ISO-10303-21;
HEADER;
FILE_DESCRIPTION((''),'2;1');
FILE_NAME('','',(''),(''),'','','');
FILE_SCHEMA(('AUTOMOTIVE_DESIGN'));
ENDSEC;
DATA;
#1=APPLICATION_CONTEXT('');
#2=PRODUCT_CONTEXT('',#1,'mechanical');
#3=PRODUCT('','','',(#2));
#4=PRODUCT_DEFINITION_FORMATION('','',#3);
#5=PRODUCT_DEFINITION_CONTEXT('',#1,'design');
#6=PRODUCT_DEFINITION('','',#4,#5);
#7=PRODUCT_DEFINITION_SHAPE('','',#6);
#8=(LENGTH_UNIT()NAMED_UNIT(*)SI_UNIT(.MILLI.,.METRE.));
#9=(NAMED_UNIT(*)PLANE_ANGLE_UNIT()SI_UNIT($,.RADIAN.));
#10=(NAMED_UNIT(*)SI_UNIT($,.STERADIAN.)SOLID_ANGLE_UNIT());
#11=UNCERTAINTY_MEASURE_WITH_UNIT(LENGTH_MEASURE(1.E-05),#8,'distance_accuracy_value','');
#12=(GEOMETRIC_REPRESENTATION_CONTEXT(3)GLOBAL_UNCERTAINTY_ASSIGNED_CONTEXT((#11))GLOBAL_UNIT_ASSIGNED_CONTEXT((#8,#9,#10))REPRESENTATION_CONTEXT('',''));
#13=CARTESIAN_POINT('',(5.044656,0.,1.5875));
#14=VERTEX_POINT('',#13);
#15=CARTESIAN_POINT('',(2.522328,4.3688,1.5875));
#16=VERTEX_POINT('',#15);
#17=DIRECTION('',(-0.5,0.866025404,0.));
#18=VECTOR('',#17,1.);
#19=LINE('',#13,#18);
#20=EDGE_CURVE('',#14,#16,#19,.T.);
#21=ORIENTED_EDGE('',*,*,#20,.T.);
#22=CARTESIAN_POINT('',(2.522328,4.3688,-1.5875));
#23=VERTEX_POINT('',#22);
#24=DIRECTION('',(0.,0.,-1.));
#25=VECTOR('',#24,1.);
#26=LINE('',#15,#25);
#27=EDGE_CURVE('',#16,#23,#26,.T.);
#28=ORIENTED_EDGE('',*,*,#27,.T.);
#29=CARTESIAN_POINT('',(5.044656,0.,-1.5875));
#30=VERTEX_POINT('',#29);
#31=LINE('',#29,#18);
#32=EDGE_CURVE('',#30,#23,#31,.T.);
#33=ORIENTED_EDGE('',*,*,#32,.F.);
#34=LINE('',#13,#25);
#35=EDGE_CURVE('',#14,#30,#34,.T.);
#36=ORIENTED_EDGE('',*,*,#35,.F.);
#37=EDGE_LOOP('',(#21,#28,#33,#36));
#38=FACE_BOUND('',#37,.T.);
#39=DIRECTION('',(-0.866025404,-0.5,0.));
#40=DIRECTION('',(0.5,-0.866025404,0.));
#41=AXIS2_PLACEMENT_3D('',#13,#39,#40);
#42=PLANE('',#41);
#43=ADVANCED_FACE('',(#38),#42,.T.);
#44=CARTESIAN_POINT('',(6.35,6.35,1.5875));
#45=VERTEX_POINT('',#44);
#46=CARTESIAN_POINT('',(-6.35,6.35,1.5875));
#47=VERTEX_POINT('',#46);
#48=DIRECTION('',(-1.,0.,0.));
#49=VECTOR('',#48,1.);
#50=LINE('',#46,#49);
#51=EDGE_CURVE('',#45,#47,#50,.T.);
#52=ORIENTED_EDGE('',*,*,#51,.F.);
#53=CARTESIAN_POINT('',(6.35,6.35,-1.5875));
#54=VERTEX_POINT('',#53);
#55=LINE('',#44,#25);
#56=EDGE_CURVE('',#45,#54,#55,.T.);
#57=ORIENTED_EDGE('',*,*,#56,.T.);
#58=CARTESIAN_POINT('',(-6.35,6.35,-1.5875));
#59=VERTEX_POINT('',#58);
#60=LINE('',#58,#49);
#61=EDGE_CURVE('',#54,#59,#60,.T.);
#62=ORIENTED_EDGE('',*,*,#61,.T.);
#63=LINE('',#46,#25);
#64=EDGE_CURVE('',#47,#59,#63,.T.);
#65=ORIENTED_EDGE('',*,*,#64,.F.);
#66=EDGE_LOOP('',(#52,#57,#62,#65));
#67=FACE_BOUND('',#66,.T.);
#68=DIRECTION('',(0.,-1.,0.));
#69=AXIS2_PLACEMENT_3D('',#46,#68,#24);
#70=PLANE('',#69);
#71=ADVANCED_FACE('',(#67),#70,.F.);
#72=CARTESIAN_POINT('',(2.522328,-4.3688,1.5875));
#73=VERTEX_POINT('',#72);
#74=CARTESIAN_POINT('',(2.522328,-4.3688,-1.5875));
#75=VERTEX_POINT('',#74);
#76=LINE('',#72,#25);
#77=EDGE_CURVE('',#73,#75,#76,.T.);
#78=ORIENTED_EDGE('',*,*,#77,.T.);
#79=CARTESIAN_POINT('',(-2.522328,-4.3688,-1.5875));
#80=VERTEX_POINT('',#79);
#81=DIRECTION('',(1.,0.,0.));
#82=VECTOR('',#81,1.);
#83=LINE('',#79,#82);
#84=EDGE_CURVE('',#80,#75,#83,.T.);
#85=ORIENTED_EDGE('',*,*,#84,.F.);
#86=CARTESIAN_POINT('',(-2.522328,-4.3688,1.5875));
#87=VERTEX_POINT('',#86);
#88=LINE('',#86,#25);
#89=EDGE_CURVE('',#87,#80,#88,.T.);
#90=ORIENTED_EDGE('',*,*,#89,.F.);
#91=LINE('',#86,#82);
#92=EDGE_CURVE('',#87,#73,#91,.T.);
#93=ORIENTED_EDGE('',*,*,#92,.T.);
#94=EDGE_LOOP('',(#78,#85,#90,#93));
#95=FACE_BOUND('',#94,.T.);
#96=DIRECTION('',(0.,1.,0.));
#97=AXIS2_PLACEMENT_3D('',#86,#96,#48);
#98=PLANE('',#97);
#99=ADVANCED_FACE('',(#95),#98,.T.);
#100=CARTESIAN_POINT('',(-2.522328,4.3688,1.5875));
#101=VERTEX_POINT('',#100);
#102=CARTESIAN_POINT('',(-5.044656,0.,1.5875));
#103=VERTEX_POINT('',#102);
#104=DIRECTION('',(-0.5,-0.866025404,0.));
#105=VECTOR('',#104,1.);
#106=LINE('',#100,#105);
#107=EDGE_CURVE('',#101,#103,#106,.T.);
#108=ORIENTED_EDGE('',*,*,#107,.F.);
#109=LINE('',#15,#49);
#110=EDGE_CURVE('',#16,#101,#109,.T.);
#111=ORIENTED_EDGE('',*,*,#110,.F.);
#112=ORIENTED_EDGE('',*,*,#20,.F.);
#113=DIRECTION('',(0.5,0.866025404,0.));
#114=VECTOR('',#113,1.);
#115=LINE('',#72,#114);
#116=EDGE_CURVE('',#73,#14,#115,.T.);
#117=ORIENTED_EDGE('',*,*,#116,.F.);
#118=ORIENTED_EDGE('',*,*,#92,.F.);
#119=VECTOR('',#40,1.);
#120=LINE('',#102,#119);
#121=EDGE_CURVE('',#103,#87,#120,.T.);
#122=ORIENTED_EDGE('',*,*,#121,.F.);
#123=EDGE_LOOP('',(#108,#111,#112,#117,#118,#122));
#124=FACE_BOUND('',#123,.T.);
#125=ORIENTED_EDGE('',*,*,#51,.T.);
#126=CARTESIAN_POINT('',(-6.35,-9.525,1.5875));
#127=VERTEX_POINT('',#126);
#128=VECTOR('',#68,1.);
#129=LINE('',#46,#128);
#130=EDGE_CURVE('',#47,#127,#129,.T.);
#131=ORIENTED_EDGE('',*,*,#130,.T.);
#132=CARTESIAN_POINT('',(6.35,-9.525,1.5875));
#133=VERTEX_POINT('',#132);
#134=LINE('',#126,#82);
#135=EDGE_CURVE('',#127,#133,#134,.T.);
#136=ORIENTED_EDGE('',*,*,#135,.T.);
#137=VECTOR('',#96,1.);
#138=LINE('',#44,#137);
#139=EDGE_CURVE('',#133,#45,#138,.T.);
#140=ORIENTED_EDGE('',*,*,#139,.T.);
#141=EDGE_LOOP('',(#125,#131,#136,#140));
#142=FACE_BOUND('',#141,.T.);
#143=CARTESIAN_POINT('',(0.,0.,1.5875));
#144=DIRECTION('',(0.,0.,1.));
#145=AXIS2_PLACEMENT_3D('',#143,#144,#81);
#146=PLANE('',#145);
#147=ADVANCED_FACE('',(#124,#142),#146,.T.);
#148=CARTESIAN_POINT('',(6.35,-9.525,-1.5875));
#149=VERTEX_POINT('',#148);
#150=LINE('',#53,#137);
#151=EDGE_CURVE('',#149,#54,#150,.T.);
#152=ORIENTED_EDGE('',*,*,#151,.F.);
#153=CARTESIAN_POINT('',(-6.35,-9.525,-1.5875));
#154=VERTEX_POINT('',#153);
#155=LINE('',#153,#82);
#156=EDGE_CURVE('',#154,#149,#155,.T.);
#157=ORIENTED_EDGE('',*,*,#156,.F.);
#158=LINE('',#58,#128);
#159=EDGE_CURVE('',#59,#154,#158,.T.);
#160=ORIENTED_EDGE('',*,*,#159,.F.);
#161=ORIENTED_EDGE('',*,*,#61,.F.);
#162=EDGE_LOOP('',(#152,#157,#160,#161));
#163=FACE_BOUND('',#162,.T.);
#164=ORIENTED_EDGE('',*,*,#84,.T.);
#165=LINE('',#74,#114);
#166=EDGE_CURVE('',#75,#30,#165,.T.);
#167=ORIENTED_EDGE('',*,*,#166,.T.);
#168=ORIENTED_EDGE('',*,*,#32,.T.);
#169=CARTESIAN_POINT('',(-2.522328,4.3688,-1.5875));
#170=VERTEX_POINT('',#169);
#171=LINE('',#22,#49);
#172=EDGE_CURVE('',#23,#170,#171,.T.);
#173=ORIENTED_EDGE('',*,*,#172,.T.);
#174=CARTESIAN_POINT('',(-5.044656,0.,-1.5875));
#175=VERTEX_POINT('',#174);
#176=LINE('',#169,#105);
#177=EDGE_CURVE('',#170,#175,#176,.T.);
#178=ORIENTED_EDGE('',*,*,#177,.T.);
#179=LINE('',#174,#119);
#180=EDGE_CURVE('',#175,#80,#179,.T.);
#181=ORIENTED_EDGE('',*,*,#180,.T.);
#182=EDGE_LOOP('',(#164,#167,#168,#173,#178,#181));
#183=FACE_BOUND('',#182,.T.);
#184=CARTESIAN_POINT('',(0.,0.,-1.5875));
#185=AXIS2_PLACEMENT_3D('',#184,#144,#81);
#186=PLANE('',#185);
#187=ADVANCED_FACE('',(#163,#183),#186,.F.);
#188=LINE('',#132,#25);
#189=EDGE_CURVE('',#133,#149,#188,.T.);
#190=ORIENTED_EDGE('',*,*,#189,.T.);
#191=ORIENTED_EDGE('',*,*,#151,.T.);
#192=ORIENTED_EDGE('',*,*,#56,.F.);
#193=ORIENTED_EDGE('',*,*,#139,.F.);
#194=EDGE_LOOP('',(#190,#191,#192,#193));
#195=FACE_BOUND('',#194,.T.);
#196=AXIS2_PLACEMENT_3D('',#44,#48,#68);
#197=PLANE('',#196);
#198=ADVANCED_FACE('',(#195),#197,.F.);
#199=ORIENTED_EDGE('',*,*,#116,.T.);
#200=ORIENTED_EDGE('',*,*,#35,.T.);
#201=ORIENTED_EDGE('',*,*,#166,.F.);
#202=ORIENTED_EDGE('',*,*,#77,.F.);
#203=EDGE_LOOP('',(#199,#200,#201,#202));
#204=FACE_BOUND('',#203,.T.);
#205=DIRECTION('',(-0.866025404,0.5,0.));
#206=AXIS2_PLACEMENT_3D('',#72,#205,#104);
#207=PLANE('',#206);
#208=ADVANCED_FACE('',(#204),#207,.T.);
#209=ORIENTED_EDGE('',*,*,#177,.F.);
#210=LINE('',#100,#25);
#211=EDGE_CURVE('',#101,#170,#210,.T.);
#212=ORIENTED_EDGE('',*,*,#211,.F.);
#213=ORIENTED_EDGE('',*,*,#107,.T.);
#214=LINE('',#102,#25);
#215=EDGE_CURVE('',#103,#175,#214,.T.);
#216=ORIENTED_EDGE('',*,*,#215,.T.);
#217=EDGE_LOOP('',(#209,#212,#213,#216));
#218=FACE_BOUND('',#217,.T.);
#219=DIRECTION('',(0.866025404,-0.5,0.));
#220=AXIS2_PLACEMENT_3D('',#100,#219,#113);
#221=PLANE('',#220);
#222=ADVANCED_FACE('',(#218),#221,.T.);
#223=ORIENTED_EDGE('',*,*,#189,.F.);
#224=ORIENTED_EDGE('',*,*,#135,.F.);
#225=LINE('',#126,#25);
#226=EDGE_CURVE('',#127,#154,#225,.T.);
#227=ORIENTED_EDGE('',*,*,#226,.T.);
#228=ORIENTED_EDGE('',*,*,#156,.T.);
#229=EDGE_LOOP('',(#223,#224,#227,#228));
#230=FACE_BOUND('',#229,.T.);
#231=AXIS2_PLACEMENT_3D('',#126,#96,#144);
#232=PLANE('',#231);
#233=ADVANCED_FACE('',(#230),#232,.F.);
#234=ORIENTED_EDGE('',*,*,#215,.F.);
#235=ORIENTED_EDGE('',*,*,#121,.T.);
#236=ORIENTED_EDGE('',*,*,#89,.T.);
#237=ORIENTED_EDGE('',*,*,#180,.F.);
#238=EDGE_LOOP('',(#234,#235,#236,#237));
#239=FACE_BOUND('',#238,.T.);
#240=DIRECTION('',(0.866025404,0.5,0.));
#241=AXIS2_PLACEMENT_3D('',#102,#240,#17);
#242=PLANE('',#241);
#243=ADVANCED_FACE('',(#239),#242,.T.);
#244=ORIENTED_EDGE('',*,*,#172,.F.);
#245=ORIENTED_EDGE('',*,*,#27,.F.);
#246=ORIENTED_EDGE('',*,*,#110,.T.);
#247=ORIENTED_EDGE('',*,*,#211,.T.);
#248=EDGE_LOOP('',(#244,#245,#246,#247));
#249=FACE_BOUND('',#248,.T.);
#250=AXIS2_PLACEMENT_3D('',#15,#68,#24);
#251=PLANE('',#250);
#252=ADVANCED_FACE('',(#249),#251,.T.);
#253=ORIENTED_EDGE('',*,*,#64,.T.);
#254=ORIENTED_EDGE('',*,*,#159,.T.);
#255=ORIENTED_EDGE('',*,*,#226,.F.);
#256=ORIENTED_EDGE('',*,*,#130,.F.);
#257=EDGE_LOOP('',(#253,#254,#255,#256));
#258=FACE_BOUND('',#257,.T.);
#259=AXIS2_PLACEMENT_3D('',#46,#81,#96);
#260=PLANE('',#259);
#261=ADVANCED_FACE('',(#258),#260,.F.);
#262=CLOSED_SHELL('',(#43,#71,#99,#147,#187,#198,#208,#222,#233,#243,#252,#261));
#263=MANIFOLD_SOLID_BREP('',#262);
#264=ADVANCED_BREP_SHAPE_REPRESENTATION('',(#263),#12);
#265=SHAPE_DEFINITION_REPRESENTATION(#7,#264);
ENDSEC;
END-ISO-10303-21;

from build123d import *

# Parameters (mm, degrees)
SKETCH1_W           = 12.7
SKETCH1_H           = 15.875
BOSS_EXTRUDE1_DEPTH = 1.5875


with BuildPart() as part:
    # Sketch1 → Boss-Extrude1 (new body, symmetric)
    with BuildSketch(Plane.XY):
        with Locations((0, -1.5875)):
            Rectangle(SKETCH1_W, SKETCH1_H)
        Polygon((2.522327856, 4.3688), (-2.522327856, 4.3688), (-5.044655712, 0), (-2.522327856, -4.3688), (2.522327856, -4.3688), (5.044655712, 0), align=None, mode=Mode.SUBTRACT)
    extrude(amount=BOSS_EXTRUDE1_DEPTH, both=True)


solid = part.part
